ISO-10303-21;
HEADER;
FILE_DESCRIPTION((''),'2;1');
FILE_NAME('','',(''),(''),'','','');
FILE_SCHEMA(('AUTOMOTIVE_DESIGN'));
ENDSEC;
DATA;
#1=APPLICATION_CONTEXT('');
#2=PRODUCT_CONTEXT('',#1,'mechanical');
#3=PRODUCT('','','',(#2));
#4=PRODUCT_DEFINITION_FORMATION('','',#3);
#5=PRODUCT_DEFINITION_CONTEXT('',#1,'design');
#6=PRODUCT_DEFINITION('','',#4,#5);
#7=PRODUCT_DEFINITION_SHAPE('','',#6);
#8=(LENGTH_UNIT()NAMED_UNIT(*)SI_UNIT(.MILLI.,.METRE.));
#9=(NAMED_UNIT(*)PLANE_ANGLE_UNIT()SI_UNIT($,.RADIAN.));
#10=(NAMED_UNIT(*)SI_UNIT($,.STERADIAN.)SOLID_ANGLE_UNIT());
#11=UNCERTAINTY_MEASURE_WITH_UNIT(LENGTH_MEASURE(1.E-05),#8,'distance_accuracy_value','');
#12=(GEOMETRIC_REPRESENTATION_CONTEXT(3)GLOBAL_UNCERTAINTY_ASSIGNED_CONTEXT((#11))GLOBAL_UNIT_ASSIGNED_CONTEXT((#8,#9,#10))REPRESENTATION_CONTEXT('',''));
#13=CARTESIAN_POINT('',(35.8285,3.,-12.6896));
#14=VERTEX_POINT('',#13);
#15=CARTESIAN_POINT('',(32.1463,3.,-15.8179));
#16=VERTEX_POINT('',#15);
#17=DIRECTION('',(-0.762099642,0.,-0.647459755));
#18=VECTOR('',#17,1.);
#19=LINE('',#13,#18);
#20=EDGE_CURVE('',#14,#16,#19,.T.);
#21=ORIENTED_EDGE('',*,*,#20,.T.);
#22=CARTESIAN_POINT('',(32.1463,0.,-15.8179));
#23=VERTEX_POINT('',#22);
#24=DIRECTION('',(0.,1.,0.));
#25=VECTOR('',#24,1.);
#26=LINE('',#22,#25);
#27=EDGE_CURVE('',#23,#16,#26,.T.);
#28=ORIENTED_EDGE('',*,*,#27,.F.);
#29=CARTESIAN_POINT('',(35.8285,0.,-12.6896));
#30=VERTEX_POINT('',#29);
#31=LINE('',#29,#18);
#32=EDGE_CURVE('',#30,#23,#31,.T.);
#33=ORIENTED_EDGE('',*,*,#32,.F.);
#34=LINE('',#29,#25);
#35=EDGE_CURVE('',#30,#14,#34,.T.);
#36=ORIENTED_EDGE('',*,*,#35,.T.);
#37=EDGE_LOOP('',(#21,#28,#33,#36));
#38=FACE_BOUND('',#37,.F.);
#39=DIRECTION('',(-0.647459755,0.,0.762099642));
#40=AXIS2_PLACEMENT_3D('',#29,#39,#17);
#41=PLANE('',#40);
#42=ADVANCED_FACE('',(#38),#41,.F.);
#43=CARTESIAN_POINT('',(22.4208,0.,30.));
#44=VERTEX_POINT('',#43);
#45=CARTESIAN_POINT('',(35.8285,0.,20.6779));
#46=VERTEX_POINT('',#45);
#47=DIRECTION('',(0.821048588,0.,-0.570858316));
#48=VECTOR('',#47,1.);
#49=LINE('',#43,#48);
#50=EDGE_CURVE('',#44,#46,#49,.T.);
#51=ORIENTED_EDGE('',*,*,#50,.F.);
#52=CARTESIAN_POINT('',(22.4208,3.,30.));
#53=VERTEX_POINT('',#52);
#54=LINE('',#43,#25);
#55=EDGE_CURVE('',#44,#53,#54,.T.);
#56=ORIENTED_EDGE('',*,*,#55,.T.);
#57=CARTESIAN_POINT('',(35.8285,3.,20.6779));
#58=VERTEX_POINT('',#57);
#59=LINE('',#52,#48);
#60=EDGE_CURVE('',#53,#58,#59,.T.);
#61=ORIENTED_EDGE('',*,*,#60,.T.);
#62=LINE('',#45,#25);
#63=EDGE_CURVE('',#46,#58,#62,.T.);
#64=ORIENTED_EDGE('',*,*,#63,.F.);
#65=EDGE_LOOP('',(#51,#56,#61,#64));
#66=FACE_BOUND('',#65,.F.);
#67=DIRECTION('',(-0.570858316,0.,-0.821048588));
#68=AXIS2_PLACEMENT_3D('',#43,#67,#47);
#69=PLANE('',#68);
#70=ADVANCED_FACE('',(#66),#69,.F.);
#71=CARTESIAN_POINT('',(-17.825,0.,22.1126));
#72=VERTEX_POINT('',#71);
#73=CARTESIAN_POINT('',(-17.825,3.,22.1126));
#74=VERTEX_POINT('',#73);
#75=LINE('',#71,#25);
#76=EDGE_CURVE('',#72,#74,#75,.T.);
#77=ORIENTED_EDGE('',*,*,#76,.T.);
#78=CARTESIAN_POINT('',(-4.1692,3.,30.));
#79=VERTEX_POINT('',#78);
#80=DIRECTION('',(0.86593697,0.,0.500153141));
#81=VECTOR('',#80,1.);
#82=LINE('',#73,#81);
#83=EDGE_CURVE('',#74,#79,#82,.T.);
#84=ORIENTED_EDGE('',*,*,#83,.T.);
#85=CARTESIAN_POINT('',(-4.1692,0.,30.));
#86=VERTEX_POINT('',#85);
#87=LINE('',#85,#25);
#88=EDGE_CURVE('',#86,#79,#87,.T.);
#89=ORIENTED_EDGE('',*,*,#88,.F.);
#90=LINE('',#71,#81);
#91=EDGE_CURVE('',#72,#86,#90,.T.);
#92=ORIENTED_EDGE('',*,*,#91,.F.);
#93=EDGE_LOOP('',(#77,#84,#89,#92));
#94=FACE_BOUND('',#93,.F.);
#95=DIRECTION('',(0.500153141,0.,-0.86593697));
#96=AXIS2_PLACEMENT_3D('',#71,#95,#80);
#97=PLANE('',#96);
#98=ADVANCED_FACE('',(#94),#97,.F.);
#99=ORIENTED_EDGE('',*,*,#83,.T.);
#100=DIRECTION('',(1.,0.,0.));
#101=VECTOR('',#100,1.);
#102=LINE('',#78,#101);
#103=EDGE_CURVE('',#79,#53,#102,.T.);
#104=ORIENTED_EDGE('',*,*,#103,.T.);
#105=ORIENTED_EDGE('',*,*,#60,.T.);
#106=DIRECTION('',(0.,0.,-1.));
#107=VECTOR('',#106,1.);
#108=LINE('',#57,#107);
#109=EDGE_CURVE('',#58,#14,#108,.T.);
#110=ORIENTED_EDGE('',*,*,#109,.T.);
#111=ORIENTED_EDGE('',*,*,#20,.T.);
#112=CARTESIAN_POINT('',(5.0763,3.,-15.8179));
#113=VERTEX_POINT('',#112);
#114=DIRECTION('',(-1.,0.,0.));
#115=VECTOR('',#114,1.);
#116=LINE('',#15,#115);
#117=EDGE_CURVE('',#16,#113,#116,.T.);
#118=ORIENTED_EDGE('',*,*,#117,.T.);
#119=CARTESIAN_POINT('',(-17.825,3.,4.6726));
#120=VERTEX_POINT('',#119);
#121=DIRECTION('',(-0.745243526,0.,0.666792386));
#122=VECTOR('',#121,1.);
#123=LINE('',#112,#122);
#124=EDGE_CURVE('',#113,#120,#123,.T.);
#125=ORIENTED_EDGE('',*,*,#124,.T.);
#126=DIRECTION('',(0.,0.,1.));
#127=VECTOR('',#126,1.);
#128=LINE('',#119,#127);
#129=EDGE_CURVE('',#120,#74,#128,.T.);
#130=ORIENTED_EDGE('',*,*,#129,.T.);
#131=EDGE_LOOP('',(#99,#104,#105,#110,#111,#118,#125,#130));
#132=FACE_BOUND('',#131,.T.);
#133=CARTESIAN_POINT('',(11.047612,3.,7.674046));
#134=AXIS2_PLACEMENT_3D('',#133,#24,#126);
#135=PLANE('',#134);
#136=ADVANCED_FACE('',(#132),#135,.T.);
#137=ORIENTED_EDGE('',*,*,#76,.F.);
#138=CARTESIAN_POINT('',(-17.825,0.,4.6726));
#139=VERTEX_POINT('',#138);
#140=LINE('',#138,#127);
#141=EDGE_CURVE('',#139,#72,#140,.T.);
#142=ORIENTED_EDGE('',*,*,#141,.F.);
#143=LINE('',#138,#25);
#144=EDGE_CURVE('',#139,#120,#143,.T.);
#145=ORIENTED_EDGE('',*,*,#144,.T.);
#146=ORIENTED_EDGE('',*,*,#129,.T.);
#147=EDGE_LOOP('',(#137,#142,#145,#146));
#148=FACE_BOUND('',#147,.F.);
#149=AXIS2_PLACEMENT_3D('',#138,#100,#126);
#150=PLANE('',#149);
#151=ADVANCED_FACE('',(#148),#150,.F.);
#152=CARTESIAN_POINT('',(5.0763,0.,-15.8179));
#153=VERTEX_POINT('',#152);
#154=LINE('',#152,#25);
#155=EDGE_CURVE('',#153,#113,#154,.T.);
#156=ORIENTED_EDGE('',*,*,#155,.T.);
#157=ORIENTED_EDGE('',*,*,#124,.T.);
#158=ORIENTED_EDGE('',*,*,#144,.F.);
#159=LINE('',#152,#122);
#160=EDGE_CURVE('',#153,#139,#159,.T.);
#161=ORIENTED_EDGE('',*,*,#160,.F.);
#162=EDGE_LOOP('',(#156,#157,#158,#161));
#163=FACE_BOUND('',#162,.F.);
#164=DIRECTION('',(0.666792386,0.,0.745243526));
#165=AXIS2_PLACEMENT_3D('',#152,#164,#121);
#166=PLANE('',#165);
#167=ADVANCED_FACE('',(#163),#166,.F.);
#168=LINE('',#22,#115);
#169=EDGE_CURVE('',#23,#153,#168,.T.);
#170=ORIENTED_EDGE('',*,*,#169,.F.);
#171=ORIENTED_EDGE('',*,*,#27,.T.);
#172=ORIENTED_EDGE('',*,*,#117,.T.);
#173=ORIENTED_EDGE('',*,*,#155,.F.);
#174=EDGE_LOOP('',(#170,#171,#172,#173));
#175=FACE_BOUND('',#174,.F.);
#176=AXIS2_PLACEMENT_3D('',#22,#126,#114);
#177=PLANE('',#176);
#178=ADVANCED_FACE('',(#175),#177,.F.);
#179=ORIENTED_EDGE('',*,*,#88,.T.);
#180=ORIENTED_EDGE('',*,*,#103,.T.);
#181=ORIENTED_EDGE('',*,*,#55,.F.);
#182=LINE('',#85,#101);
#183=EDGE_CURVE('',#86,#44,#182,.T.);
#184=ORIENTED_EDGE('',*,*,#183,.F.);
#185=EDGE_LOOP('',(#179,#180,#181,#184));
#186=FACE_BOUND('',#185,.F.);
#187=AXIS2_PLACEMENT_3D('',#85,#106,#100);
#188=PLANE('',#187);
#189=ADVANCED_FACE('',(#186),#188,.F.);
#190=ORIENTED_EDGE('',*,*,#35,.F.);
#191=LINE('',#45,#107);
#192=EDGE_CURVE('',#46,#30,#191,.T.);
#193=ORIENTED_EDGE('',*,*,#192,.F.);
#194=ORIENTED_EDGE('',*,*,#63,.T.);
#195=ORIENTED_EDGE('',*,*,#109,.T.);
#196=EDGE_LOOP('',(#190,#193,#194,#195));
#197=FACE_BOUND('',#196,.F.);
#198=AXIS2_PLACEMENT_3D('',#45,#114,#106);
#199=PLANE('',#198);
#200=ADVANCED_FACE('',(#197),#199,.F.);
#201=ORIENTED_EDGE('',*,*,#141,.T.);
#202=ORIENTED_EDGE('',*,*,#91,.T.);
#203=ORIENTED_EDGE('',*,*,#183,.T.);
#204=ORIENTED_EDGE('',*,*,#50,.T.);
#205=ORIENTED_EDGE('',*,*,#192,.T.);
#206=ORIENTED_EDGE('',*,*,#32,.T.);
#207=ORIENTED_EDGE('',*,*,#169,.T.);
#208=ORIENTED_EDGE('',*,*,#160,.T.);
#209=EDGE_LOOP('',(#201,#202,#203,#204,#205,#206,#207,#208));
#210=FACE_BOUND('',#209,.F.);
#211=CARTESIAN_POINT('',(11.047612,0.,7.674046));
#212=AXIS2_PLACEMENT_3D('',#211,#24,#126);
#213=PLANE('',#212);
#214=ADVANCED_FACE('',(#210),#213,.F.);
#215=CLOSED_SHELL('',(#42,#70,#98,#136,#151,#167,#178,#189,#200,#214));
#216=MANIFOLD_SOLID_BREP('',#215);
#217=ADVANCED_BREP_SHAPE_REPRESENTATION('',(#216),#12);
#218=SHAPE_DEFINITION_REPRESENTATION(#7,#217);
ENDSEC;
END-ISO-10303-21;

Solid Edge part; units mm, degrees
sketch "Sketch1" plane through (0, 0, 0) normal (0, -1, 0) x (1, 0, 0)
  line L0 (-4.1692, 30) -> (22.4208, 30)
  line L1 (22.4208, 30) -> (35.8285, 20.6779)
  line L2 (35.8285, 20.6779) -> (35.8285, -12.6896)
  line L3 (35.8285, -12.6896) -> (32.1463, -15.8179)
  line L4 (32.1463, -15.8179) -> (5.0763, -15.8179)
  line L5 (5.0763, -15.8179) -> (-17.825, 4.6726)
  line L6 (-17.825, 4.6726) -> (-17.825, 22.1126)
  line L7 (-17.825, 22.1126) -> (-4.1692, 30)
  dimension "D1" = 26.59
  dimension "D2" = 17.44
  dimension "D3" = 27.07
  dimension "D4" = 16.33
  dimension "D5" = 4.8317
  dimension "D6" = 33.3675
extrude "Protrusion1" add sketch "Sketch1" against normal blind 3
properties part number "049" material "Acryl, hochfest"
